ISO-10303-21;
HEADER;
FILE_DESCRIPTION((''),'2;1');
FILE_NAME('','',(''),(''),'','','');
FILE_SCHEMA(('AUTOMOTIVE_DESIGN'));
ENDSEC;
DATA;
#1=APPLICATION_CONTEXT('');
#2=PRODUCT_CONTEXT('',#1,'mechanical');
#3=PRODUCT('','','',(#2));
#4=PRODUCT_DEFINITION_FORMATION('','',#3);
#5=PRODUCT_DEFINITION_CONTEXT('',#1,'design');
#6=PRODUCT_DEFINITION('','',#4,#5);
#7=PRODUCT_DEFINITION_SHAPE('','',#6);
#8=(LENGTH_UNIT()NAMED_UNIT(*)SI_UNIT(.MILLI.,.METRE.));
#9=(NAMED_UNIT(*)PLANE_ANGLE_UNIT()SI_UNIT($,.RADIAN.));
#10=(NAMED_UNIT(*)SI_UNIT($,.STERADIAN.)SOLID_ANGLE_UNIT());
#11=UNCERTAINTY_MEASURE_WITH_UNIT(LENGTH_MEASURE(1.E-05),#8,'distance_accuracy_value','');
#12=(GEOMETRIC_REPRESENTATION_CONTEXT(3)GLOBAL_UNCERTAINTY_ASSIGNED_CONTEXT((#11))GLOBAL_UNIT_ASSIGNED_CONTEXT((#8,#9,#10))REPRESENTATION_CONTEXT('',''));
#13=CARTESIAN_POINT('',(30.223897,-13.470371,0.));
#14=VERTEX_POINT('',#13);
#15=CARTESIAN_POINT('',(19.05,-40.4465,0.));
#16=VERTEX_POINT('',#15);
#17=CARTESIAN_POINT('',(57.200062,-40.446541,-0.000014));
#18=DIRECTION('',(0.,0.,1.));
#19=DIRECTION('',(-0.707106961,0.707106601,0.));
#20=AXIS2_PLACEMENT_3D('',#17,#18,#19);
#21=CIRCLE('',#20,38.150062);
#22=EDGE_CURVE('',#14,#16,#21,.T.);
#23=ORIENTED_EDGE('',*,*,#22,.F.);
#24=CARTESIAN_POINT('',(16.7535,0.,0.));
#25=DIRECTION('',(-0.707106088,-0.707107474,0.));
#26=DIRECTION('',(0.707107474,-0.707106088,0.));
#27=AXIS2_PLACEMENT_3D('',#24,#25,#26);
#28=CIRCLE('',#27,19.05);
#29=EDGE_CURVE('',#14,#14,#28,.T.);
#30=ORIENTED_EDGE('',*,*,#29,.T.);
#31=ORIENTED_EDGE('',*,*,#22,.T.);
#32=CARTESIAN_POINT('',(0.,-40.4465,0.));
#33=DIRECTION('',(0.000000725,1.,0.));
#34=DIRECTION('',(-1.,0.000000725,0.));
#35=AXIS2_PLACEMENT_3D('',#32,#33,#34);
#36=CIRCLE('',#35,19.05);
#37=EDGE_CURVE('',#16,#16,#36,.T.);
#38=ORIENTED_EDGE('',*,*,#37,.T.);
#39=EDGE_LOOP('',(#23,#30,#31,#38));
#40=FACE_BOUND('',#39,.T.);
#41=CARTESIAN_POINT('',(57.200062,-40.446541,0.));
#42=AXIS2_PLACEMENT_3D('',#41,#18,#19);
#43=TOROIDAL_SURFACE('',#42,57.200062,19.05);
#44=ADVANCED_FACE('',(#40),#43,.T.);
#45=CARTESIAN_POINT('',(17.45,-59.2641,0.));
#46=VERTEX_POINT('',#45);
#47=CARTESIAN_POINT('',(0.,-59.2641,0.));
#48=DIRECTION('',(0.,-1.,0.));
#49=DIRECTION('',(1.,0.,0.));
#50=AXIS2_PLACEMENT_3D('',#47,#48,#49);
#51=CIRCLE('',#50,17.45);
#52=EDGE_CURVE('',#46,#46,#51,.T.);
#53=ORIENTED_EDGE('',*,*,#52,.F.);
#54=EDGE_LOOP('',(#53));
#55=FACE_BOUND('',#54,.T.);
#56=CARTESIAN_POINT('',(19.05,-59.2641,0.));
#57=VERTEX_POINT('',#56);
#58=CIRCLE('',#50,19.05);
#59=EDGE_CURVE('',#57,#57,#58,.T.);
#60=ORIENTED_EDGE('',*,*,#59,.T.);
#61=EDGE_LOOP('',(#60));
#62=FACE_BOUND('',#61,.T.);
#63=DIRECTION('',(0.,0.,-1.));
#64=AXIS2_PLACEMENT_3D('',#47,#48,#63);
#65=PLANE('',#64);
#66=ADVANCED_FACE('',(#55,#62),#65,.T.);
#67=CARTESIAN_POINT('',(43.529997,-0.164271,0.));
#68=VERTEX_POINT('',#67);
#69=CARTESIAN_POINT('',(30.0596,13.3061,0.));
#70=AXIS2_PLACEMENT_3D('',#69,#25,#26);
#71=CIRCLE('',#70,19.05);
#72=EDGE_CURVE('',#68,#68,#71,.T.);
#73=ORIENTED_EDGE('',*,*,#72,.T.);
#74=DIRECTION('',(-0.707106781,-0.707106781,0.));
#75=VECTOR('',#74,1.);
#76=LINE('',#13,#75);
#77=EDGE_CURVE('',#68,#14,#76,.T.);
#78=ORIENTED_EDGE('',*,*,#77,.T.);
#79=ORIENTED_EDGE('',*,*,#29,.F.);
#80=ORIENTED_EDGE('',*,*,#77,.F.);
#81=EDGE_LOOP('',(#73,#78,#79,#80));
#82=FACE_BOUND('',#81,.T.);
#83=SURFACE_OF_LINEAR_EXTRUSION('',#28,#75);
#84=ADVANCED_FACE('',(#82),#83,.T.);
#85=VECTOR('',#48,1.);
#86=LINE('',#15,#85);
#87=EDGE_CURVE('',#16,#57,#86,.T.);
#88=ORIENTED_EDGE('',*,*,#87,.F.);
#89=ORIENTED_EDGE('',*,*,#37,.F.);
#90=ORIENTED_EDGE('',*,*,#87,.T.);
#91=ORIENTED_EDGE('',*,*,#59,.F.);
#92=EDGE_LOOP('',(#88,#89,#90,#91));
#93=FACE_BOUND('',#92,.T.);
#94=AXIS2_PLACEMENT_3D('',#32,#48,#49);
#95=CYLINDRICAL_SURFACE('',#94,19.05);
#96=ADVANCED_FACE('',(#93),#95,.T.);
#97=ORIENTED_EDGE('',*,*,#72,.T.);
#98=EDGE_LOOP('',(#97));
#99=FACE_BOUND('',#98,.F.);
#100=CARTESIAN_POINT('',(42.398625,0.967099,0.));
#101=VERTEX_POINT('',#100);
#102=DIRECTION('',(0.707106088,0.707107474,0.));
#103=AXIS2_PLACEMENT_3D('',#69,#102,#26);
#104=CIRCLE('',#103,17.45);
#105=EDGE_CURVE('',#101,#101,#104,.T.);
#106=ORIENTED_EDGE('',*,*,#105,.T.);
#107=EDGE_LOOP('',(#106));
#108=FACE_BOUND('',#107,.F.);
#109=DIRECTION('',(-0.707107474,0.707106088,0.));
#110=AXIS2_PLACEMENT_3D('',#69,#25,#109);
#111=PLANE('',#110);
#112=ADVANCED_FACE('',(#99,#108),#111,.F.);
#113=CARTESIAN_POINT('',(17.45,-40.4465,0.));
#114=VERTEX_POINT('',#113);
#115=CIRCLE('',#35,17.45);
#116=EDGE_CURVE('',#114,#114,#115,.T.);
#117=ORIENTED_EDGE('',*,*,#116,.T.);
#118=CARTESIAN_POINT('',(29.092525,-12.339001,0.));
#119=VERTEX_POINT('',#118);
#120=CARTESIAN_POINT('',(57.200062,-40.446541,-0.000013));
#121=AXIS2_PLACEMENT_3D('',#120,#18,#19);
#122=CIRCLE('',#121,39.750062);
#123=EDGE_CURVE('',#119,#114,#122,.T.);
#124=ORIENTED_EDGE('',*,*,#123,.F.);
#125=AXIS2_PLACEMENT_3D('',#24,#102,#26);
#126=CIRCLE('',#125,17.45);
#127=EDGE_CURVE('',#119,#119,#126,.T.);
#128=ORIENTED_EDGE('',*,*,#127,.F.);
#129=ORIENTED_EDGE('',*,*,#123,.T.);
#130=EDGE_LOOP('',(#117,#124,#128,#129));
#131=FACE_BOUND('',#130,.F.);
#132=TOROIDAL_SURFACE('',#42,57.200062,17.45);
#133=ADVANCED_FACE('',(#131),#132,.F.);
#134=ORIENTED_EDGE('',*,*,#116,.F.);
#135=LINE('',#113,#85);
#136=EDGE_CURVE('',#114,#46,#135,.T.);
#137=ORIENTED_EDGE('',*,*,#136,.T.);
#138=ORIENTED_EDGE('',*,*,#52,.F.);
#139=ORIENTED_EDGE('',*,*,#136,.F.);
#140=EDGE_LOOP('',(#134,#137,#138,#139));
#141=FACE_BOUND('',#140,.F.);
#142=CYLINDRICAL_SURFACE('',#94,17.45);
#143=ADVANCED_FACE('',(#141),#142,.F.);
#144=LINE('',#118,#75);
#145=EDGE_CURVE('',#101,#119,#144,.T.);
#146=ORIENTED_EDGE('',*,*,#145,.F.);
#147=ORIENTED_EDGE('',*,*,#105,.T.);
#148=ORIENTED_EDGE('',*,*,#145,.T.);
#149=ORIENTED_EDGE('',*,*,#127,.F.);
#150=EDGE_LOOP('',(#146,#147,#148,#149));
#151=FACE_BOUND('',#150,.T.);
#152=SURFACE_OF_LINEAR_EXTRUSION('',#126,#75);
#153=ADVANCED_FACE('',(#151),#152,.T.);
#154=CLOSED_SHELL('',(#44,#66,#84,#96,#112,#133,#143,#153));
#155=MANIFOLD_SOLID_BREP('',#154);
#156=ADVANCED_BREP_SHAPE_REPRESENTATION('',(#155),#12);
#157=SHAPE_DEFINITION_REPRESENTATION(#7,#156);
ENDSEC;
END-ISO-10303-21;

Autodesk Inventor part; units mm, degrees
ref_plane "YZ Plane" through (0, 0, 0) normal (1, 0, 0) x (0, 1, 0)
ref_plane "XZ Plane" through (0, 0, 0) normal (0, 1, 0) x (-1, 0, 0)
sketch "Szkic6" plane through (0, 0, 0) normal (0, 0, 1) x (1, 0, 0)
  line L0 (-29.6067, 0) -> (35.2678, 0) construction
  line L1 (0, 42.3419) -> (0, -58.3726) construction
  arc A0 (16.7535, 0) -> (0, -40.4465) centre (57.2, -40.4465) ccw
  line L2 (0, -40.4465) -> (57.2, -40.4465) construction
  line L3 (57.2, -40.4465) -> (10.8611, 5.8924) construction
  line L4 (16.7535, 0) -> (30.0596, 13.3061)
  line L5 (0, -40.4465) -> (0, -59.2641)
  point P0 (0, 0)
  dimension "d24" = 57.2
  dimension "d31" = 45
  dimension "d36" = 18.8176
  dimension "d37" = 18.8176
ref_plane "Płaszczyzna konstrukcyjna2" through (0, -40.4465, 0) normal (0, -1, 0) x (1, 0, 0)
sketch "Szkic8" plane through (0, -40.4465, 0) normal (0, -1, 0) x (1, 0, 0)
  circle A0 centre (0, 0) radius 19.05
  circle A1 centre (0, 0) radius 17.45
  dimension "d32" = 38.1
  dimension "d33" = 1.6
sweep "Przeciągnięcie2" add profiles "Szkic8" path "Szkic6"
equation "\"d32\" = OD"
equation "\"d33\" = THK"
equation "\"d24\" = R"
equation "\"d31\" = KAT"
equation "\"d36\" = PROSTKA"
equation "\"d37\" = PROSTKA"
equation "\"SzerokośćGięciaPodcięcia\" = Grubość"
equation "\"RozmiarPodcięciaNarożnika\" = 4 * Grubość"
equation "\"PromieńPrzejścia\" = PromieńGięcia"
equation "\"Rozmiar_promienia_Jacobiego\" = PromieńGięcia"
equation "\"Wielk_odstępu\" = Grubość"
equation "\"d2\" = PromieńGięcia"
equation "\"d23\" = PromieńGięcia"
equation "\"R\" = 57.2"
equation "\"OD\" = 38.1"
equation "\"THK\" = 1.6"
equation "\"KAT\" = 45deg"
equation "\"PROSTKA\" = 18.81761"
equation "\"Grubość\" = 1.5"
equation "\"PromieńGięcia\" = 3"
properties part number "Kolano 45° ø38,1x1,6 R57,2" material "304L"
